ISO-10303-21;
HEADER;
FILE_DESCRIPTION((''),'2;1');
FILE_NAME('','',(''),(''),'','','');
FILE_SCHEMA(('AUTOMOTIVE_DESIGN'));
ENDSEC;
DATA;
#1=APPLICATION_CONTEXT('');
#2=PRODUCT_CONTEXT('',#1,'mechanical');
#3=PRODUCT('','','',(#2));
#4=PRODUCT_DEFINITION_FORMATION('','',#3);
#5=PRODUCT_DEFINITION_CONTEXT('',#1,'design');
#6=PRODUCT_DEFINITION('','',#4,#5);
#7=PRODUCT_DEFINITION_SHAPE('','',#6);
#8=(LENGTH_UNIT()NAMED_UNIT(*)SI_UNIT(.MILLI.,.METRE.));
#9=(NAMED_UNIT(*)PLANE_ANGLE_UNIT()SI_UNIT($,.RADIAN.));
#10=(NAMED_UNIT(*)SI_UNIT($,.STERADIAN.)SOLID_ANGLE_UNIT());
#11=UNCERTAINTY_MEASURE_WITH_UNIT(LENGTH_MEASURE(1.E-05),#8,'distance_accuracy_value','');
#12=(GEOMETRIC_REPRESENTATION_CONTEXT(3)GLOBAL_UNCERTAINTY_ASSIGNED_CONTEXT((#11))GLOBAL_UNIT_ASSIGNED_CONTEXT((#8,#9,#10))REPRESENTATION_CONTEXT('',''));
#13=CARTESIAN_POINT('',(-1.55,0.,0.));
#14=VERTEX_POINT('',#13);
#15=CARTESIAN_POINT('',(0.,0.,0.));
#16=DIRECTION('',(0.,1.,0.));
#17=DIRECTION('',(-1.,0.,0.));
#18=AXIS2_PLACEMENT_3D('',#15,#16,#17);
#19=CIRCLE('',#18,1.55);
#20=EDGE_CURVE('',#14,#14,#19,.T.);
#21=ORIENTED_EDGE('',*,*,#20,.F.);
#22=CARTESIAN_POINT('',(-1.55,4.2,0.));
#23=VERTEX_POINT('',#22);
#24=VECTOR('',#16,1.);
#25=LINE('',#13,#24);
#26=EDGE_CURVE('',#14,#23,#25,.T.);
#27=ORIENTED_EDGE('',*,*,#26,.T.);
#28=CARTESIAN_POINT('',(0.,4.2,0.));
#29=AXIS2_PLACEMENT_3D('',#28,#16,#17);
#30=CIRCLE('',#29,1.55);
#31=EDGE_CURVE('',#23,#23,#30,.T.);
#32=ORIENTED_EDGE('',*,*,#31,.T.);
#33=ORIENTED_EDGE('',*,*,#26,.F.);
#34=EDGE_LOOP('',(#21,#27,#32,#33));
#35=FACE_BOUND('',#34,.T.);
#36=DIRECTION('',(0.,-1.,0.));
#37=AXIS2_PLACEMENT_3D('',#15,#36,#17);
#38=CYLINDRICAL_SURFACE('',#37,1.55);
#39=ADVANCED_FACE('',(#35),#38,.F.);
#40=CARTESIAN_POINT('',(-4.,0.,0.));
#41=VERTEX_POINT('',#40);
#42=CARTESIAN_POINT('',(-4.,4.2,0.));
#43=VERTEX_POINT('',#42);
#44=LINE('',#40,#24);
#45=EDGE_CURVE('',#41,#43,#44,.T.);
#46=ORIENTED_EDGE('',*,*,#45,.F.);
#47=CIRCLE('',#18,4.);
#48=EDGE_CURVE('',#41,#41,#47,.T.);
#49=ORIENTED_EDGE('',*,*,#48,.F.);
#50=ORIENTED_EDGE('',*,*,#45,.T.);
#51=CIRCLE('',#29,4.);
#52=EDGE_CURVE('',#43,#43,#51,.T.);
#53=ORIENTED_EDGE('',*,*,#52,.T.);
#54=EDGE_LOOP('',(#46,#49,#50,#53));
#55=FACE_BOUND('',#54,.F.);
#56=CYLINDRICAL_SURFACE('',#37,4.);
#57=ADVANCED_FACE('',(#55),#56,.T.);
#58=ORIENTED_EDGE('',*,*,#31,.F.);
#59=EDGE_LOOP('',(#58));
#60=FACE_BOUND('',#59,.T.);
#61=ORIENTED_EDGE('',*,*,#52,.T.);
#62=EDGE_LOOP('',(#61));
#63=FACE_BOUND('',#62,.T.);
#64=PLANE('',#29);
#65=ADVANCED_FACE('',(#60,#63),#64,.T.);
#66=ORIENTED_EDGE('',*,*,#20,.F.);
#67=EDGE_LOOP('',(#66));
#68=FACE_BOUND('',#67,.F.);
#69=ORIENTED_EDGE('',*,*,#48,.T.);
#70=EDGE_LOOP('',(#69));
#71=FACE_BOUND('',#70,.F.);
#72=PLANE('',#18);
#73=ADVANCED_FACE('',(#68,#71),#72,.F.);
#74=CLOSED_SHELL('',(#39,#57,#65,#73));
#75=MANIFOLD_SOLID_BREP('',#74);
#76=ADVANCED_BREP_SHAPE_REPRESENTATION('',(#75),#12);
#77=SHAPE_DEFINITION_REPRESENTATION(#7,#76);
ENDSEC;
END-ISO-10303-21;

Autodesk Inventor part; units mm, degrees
ref_plane "YZ Plane" through (0, 0, 0) normal (1, 0, 0) x (0, 1, 0)
ref_plane "XZ Plane" through (0, 0, 0) normal (0, 1, 0) x (-1, 0, 0)
ref_plane "XY Plane" through (0, 0, 0) normal (0, 0, 1) x (1, 0, 0)
sketch "Sketch1" plane through (0, 0, 0) normal (0, 1, 0) x (-1, 0, 0)
  circle A0 centre (0, 0) radius 1.55
  circle A1 centre (0, 0) radius 4
  dimension "d0" = 3.1
  dimension "d1" = 8
extrude "Extrusion1" add sketch "Sketch1" along normal blind 4.2
properties part number "Horizontal_bar_spacer_small"
